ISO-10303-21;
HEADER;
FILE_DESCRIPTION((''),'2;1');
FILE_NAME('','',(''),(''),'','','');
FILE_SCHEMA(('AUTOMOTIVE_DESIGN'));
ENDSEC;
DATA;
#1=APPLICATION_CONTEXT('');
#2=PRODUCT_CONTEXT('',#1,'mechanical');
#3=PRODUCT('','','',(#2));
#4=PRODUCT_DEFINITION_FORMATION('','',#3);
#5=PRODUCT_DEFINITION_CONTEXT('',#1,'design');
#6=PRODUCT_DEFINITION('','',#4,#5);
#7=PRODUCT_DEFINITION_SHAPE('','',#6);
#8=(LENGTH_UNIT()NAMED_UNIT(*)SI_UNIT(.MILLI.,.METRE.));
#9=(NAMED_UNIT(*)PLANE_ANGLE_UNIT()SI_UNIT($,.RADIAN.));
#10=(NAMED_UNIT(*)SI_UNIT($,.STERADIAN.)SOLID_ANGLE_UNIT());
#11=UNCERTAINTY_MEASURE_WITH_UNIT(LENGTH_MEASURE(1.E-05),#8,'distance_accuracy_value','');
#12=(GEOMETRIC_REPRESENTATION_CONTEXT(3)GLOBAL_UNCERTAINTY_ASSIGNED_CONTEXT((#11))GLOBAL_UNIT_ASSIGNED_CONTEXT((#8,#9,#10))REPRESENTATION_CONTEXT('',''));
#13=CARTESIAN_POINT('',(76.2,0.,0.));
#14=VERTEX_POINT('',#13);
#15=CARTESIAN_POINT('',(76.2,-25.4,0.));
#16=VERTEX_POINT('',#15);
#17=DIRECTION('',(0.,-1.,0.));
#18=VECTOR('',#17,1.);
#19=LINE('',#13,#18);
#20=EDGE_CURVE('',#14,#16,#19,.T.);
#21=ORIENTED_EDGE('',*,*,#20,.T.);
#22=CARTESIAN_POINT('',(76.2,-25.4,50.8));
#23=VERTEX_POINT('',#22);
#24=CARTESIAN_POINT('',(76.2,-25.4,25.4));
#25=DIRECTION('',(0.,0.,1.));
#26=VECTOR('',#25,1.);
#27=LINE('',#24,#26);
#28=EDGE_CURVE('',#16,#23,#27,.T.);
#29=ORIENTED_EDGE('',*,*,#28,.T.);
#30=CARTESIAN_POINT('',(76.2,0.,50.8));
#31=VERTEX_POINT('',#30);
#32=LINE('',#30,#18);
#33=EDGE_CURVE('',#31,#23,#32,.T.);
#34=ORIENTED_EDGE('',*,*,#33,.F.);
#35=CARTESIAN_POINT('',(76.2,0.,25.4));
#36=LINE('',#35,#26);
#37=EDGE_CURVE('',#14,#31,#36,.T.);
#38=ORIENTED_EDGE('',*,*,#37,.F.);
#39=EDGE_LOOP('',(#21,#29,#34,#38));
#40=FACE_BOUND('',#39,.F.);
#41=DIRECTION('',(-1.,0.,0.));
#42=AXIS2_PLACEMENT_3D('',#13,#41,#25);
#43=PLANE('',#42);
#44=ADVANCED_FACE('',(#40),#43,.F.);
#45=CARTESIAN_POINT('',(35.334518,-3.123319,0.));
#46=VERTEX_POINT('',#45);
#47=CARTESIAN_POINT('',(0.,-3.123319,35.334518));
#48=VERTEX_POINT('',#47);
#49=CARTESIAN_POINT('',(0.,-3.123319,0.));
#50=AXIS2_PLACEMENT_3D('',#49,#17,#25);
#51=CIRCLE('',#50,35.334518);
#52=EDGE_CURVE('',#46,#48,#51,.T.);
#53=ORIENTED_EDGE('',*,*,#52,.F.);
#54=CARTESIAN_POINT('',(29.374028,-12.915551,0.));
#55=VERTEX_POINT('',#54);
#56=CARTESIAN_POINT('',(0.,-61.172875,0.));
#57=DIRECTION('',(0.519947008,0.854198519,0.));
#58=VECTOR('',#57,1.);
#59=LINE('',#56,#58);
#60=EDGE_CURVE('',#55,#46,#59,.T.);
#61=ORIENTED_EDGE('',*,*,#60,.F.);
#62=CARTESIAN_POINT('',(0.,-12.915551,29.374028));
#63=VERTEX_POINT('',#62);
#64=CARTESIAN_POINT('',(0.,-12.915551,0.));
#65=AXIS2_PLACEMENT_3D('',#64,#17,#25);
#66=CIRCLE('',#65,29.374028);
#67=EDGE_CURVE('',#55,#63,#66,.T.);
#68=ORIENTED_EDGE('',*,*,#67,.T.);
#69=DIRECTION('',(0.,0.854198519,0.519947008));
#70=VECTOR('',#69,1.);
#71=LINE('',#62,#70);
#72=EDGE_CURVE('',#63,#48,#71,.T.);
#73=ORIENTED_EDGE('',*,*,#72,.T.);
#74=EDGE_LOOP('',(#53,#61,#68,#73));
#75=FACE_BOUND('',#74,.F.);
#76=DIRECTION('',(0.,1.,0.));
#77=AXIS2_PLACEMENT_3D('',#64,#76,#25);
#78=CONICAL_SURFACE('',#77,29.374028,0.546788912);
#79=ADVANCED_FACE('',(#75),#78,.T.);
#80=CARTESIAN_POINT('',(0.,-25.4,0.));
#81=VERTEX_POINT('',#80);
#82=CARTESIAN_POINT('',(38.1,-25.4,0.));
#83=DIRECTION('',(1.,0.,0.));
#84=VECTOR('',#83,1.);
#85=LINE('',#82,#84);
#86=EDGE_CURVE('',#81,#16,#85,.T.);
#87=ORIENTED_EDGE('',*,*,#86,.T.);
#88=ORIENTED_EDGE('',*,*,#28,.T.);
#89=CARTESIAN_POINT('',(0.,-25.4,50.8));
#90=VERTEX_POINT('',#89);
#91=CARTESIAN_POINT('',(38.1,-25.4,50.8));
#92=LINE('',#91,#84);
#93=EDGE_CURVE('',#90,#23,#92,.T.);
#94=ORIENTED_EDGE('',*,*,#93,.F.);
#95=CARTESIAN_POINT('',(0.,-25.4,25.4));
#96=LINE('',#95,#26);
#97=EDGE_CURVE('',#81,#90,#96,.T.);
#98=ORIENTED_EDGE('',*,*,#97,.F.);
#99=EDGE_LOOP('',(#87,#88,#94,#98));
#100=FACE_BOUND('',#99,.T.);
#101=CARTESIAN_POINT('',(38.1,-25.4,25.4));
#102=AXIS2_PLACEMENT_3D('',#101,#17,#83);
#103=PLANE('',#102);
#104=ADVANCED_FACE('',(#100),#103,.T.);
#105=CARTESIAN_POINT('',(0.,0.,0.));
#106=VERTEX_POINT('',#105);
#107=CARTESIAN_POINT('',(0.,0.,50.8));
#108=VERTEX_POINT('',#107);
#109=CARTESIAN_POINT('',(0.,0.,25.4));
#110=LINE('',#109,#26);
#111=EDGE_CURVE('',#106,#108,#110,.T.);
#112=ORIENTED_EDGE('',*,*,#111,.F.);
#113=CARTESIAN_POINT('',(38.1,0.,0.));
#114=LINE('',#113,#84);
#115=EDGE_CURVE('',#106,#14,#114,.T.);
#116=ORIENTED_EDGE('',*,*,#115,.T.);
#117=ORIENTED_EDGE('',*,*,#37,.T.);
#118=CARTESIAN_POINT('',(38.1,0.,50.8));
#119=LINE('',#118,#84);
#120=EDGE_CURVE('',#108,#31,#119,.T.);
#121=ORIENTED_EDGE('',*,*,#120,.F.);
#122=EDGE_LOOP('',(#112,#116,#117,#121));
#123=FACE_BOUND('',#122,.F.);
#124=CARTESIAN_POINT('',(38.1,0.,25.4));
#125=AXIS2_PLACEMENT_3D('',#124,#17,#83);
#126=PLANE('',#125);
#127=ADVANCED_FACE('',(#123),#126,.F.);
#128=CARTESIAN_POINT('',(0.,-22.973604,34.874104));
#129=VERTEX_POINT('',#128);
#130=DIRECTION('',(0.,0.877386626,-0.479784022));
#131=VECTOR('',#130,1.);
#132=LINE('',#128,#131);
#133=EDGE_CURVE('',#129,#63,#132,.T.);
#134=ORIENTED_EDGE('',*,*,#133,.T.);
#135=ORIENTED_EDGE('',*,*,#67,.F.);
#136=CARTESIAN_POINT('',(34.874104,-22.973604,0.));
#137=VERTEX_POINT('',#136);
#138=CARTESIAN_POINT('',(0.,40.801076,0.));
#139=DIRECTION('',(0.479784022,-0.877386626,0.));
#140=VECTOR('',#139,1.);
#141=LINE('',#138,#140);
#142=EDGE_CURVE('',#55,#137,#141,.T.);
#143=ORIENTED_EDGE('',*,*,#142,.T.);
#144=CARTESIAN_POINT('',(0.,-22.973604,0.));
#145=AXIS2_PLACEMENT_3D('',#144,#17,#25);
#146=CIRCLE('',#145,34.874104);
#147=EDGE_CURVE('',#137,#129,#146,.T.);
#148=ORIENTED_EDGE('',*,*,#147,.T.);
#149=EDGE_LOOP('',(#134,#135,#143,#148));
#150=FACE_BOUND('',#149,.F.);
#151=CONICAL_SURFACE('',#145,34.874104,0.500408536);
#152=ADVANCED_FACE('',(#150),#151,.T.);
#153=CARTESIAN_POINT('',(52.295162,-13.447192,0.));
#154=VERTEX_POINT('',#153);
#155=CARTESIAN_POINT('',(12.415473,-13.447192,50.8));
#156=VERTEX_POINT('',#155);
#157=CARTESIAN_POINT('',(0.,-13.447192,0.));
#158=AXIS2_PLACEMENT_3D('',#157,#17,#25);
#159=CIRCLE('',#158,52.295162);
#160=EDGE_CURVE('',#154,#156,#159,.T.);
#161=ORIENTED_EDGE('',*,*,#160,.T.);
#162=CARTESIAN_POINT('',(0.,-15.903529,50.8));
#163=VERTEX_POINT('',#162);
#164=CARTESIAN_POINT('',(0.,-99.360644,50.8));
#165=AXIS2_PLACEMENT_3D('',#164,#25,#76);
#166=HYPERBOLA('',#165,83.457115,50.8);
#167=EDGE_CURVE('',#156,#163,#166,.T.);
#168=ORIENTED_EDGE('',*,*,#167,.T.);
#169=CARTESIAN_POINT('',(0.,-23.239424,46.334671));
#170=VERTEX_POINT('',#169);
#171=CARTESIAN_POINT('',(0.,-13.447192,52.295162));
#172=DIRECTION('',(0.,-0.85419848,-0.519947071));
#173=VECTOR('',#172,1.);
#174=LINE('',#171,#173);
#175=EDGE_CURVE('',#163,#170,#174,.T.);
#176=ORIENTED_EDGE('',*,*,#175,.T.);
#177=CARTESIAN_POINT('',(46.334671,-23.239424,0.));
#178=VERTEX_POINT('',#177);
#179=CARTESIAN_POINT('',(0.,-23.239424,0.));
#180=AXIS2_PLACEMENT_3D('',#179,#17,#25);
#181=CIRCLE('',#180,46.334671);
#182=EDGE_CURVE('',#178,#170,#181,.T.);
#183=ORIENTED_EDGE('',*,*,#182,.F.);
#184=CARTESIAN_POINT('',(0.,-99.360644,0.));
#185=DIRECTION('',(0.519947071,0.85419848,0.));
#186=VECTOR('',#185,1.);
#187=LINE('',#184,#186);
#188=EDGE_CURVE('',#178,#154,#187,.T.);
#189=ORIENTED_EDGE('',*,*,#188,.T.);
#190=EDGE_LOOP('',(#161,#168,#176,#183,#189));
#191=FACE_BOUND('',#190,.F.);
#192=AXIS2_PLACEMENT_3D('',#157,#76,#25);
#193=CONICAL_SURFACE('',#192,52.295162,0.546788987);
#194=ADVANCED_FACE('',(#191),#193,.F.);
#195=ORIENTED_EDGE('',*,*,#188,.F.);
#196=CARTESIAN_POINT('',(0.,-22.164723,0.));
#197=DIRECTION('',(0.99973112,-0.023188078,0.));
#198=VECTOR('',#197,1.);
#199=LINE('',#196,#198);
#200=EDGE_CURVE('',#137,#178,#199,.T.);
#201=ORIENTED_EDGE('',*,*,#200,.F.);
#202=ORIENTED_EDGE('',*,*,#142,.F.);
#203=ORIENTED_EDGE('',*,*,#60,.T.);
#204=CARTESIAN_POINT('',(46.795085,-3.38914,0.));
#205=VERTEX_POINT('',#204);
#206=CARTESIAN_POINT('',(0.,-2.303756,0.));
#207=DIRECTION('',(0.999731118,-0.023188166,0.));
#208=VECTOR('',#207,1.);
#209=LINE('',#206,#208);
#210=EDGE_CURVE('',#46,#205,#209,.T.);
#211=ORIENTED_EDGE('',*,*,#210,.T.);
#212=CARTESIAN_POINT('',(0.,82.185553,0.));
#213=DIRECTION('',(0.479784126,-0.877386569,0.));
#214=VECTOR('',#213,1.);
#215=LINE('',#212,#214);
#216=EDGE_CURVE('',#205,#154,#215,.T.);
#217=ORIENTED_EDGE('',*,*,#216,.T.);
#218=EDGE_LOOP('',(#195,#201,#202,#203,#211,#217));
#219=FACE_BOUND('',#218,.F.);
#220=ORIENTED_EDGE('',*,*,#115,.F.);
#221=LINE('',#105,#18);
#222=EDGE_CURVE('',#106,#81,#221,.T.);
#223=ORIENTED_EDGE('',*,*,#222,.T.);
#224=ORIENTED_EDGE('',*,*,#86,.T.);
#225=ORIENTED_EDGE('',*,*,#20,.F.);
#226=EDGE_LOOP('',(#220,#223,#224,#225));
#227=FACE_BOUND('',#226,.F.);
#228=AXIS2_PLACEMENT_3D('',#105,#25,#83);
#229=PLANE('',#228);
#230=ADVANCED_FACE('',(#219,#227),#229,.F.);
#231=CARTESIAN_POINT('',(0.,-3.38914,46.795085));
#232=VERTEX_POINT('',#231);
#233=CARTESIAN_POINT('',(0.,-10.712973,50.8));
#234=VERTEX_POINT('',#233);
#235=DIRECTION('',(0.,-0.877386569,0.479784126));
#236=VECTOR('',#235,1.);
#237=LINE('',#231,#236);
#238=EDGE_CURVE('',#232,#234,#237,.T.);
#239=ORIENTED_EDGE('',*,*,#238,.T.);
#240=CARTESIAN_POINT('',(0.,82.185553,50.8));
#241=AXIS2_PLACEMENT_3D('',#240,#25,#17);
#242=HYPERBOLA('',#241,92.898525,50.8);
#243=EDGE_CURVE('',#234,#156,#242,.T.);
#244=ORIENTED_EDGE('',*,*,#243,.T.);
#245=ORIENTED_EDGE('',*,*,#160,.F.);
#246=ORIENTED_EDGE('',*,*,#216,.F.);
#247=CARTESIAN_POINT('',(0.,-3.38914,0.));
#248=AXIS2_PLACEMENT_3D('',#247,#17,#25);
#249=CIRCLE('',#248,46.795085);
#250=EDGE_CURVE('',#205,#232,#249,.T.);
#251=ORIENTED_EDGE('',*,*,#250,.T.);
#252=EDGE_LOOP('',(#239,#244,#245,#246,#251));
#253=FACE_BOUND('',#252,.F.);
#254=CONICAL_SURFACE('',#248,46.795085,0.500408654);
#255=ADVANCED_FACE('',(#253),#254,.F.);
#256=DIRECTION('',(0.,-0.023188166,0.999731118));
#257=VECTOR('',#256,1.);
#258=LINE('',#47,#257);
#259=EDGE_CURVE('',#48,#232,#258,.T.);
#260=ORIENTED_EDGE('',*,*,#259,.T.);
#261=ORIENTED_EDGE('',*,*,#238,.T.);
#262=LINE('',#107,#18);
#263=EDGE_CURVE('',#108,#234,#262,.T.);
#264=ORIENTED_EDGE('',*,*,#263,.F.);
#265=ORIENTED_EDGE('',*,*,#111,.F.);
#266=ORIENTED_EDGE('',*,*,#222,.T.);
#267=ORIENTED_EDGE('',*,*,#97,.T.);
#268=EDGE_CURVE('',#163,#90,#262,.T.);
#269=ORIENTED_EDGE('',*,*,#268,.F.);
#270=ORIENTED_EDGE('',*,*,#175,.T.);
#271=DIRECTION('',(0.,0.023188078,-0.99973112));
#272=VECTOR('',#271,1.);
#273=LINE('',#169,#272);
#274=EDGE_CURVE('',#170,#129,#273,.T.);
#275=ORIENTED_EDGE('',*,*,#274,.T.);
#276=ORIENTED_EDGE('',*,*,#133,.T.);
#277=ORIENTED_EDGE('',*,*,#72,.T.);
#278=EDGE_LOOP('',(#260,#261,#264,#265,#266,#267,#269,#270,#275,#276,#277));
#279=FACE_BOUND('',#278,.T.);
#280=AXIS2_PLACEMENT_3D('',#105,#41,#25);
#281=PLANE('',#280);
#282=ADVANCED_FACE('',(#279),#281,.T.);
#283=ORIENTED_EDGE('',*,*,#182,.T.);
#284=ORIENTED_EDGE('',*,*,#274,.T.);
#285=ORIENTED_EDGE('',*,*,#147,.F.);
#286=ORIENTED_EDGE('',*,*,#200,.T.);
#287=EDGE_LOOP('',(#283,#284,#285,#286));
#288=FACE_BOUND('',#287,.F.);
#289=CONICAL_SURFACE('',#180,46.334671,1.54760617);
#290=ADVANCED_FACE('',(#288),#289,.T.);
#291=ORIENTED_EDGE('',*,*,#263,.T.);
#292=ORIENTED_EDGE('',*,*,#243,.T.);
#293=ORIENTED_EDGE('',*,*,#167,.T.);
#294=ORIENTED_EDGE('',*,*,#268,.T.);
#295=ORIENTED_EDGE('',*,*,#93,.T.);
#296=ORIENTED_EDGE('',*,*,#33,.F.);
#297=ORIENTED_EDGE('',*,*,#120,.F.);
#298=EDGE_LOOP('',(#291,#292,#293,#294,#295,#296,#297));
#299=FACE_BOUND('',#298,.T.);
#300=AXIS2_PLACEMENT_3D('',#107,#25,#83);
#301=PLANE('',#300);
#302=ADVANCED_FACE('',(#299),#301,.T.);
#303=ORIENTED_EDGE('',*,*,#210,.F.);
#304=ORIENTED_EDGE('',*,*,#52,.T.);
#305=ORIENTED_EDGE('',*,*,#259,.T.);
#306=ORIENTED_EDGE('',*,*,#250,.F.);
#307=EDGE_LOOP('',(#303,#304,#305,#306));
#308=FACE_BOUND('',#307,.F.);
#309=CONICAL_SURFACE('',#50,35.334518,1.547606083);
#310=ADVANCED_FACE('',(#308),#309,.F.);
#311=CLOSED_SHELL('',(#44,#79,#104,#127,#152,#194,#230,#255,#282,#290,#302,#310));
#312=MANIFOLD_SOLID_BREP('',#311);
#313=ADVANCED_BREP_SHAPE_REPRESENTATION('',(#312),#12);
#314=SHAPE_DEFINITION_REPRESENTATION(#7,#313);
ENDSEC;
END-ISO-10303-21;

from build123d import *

# Parameters (mm, degrees)
F0_W     = 76.2
F0_H     = 50.8
F1_DEPTH = 25.4


with BuildPart() as f1:
    # F0 (on Front) → F1 (new body)
    with BuildSketch(Plane.XZ):
        with Locations((38.1, 25.4)):
            Rectangle(F0_W, F0_H)
    extrude(amount=F1_DEPTH)

    # F2 (on Right) → F3 (revolve, cut)
    with BuildSketch(Plane.YZ):
        Polygon((-12.915551, 29.374028), (-3.123319, 35.334518), (-3.38914, 46.795085), (-13.447192, 52.295162), (-23.239424, 46.334671), (-22.973604, 34.874104), align=None)
    revolve(axis=Axis((0, -12.7, 0), (0, -1, 0)), mode=Mode.SUBTRACT)


solid = f1.part
